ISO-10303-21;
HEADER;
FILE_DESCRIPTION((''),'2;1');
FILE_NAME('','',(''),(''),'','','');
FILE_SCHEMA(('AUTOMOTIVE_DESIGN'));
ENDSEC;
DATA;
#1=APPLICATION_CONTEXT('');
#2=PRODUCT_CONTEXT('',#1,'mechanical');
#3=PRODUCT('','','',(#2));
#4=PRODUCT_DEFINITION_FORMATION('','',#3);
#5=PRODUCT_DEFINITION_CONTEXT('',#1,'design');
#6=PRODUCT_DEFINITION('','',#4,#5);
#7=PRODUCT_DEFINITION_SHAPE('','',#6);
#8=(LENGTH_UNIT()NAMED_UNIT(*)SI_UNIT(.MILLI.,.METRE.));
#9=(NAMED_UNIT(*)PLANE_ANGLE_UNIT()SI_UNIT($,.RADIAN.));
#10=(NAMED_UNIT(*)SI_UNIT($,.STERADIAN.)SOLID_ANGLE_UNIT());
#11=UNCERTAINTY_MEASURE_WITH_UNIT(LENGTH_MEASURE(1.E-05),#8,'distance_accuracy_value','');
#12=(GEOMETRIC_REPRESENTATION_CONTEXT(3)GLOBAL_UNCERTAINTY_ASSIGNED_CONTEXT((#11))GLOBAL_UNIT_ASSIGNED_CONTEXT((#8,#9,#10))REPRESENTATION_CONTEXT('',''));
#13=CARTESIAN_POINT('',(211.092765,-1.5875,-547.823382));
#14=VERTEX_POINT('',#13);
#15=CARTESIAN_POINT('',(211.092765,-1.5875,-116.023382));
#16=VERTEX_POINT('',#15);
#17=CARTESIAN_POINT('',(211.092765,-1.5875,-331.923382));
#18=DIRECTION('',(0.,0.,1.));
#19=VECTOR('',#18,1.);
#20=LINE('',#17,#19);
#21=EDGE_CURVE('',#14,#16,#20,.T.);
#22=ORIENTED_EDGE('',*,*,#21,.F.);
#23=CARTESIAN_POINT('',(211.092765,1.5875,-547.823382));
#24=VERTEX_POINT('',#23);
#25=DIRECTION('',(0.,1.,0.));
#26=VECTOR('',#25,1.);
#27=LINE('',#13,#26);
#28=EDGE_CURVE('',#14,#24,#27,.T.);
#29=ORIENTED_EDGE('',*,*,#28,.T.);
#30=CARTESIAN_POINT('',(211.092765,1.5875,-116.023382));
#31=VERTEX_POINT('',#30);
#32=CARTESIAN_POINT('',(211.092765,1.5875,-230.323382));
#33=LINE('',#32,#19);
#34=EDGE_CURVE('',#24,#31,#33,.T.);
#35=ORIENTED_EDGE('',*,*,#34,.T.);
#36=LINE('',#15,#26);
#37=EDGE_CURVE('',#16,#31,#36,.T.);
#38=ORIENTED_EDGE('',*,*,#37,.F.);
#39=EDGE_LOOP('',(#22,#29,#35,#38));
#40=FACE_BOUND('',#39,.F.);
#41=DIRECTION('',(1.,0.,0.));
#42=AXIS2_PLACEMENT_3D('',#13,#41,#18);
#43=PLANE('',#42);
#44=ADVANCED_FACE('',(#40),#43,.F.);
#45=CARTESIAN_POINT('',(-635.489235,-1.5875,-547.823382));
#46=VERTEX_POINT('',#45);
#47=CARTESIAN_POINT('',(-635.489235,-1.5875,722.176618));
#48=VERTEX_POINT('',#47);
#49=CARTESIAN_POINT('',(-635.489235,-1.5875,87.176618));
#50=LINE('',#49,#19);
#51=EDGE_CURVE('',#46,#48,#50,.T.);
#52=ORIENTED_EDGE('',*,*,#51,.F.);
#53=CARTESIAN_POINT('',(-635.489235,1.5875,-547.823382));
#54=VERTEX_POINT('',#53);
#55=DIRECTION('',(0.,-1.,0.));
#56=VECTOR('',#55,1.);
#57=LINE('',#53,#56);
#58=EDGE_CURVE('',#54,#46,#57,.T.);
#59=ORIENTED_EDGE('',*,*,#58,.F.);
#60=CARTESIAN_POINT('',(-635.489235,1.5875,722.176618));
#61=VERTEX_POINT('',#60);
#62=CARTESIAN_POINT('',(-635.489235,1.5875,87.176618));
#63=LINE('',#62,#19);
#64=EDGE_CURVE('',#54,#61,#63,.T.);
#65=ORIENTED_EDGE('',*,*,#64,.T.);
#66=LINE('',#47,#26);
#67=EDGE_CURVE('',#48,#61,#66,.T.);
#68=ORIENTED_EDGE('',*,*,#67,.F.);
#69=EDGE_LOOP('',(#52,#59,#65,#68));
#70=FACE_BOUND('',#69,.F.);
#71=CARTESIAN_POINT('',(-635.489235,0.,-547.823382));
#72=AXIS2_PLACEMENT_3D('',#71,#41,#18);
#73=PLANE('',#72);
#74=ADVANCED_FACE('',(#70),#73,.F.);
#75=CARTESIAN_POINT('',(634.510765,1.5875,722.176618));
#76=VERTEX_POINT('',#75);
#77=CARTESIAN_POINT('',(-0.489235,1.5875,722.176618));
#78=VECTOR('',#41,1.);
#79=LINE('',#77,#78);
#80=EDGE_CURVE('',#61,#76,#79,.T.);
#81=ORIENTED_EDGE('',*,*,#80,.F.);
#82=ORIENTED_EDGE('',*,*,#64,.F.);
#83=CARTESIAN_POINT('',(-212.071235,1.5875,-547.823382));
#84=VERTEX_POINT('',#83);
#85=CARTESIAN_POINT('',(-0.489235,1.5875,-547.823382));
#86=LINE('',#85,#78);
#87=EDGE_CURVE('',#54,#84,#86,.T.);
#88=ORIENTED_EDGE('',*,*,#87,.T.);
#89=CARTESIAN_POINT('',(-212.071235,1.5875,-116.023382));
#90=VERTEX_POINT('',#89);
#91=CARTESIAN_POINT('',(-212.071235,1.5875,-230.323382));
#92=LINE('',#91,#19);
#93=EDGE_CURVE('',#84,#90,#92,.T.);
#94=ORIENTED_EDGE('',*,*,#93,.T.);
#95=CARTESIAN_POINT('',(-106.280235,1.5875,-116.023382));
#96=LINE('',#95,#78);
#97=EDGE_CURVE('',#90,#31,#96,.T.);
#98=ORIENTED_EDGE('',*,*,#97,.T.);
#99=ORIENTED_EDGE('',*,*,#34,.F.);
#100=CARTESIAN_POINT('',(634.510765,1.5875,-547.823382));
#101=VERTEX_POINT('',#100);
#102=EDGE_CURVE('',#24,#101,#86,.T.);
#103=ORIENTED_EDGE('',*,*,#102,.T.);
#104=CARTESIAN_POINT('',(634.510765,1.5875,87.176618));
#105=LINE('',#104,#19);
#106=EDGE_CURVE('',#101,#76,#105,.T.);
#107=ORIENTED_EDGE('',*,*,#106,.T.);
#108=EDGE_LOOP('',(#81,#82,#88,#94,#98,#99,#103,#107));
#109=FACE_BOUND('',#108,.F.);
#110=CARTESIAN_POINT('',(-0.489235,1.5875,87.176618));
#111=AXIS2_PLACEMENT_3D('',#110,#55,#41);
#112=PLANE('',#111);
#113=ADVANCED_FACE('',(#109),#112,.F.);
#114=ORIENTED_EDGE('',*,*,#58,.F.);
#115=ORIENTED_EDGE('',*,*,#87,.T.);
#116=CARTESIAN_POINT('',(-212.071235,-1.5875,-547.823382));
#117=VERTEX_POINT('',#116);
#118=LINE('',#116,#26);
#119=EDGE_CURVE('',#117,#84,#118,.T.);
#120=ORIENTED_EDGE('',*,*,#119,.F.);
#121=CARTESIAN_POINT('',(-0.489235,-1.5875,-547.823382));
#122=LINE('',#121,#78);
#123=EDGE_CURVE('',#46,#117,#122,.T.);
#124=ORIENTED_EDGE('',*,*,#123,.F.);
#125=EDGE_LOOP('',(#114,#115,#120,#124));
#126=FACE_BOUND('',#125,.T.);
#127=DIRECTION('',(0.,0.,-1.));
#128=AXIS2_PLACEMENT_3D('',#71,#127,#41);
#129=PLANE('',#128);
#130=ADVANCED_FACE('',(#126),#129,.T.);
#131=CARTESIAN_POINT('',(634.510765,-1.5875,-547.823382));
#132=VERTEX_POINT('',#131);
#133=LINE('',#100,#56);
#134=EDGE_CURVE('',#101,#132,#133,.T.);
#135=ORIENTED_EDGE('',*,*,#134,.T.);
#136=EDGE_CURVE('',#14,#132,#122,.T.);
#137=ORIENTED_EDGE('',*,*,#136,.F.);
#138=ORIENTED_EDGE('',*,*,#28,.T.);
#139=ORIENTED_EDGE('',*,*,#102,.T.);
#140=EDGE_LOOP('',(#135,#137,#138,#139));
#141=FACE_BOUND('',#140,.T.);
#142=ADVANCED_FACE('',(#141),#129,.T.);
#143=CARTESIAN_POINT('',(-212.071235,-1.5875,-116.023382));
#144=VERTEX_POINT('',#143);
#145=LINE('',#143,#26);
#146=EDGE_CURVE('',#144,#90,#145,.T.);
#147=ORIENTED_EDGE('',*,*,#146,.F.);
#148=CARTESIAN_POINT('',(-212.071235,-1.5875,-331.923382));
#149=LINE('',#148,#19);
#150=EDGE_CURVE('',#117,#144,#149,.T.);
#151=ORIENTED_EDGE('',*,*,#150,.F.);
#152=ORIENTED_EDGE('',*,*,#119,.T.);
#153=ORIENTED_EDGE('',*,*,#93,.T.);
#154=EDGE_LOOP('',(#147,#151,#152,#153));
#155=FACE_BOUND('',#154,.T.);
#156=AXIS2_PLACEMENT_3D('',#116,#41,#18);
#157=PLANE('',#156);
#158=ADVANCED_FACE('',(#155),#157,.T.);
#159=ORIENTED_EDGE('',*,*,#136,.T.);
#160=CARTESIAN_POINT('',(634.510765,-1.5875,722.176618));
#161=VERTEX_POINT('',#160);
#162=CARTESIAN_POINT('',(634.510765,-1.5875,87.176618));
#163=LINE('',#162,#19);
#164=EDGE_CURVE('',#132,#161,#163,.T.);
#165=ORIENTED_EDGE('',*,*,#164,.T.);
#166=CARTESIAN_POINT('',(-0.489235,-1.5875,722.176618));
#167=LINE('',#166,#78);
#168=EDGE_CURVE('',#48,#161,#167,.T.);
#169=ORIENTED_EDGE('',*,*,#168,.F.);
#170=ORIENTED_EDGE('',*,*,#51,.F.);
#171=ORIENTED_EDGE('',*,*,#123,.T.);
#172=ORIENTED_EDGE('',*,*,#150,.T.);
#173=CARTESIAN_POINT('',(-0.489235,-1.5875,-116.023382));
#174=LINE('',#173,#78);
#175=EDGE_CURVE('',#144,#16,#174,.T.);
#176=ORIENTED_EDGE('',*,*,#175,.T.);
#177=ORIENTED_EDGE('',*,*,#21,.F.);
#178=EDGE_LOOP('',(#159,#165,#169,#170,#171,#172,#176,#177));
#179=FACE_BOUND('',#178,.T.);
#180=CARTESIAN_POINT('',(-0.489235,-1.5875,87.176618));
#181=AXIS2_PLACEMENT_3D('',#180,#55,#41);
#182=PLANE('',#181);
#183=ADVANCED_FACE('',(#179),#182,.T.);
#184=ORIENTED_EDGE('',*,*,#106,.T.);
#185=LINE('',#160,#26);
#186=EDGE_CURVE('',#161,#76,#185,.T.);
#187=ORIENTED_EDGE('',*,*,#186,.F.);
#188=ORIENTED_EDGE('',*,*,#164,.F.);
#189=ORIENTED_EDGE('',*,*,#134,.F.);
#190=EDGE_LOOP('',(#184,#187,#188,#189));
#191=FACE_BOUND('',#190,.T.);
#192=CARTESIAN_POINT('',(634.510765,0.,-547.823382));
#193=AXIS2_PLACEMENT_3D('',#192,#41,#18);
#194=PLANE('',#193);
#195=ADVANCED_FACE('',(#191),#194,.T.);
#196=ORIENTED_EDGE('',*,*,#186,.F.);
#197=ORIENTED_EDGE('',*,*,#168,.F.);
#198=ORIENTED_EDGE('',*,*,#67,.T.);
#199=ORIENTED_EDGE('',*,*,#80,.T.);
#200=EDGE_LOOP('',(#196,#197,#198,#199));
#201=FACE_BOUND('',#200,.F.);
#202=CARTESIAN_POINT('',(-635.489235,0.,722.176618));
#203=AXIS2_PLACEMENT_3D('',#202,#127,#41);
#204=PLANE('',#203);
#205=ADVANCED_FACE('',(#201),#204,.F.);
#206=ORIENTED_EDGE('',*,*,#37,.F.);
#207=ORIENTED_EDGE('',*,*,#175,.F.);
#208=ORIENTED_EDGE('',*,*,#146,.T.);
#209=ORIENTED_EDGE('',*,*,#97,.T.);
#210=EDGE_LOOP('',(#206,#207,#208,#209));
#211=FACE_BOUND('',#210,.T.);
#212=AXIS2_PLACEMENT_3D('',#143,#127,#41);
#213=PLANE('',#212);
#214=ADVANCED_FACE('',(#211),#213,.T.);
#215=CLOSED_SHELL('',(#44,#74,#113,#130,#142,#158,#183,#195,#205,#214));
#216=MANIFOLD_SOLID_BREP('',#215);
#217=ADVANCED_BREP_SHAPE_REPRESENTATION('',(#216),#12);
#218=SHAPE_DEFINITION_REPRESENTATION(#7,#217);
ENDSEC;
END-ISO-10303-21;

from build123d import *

# Parameters (mm, degrees)
F0_W     = 1270
F0_H     = 1270
F1_DEPTH = 1.5875
F2_W     = 423.164
F2_H     = 431.8
F3_DEPTH = 3.176


with BuildPart() as f1:
    # F0 (on Front) → F1 (new body, symmetric)
    with BuildSketch(Plane.XZ):
        with Locations((-0.489235, 87.176618)):
            Rectangle(F0_W, F0_H)
    extrude(amount=F1_DEPTH, both=True)

    # F2 (on face) → F3 (cut, through all)
    with BuildSketch(Plane.XZ.offset(1.5875)):
        with Locations((-0.489235, -331.923382)):
            Rectangle(F2_W, F2_H)
    extrude(amount=-F3_DEPTH, mode=Mode.SUBTRACT)


solid = f1.part
